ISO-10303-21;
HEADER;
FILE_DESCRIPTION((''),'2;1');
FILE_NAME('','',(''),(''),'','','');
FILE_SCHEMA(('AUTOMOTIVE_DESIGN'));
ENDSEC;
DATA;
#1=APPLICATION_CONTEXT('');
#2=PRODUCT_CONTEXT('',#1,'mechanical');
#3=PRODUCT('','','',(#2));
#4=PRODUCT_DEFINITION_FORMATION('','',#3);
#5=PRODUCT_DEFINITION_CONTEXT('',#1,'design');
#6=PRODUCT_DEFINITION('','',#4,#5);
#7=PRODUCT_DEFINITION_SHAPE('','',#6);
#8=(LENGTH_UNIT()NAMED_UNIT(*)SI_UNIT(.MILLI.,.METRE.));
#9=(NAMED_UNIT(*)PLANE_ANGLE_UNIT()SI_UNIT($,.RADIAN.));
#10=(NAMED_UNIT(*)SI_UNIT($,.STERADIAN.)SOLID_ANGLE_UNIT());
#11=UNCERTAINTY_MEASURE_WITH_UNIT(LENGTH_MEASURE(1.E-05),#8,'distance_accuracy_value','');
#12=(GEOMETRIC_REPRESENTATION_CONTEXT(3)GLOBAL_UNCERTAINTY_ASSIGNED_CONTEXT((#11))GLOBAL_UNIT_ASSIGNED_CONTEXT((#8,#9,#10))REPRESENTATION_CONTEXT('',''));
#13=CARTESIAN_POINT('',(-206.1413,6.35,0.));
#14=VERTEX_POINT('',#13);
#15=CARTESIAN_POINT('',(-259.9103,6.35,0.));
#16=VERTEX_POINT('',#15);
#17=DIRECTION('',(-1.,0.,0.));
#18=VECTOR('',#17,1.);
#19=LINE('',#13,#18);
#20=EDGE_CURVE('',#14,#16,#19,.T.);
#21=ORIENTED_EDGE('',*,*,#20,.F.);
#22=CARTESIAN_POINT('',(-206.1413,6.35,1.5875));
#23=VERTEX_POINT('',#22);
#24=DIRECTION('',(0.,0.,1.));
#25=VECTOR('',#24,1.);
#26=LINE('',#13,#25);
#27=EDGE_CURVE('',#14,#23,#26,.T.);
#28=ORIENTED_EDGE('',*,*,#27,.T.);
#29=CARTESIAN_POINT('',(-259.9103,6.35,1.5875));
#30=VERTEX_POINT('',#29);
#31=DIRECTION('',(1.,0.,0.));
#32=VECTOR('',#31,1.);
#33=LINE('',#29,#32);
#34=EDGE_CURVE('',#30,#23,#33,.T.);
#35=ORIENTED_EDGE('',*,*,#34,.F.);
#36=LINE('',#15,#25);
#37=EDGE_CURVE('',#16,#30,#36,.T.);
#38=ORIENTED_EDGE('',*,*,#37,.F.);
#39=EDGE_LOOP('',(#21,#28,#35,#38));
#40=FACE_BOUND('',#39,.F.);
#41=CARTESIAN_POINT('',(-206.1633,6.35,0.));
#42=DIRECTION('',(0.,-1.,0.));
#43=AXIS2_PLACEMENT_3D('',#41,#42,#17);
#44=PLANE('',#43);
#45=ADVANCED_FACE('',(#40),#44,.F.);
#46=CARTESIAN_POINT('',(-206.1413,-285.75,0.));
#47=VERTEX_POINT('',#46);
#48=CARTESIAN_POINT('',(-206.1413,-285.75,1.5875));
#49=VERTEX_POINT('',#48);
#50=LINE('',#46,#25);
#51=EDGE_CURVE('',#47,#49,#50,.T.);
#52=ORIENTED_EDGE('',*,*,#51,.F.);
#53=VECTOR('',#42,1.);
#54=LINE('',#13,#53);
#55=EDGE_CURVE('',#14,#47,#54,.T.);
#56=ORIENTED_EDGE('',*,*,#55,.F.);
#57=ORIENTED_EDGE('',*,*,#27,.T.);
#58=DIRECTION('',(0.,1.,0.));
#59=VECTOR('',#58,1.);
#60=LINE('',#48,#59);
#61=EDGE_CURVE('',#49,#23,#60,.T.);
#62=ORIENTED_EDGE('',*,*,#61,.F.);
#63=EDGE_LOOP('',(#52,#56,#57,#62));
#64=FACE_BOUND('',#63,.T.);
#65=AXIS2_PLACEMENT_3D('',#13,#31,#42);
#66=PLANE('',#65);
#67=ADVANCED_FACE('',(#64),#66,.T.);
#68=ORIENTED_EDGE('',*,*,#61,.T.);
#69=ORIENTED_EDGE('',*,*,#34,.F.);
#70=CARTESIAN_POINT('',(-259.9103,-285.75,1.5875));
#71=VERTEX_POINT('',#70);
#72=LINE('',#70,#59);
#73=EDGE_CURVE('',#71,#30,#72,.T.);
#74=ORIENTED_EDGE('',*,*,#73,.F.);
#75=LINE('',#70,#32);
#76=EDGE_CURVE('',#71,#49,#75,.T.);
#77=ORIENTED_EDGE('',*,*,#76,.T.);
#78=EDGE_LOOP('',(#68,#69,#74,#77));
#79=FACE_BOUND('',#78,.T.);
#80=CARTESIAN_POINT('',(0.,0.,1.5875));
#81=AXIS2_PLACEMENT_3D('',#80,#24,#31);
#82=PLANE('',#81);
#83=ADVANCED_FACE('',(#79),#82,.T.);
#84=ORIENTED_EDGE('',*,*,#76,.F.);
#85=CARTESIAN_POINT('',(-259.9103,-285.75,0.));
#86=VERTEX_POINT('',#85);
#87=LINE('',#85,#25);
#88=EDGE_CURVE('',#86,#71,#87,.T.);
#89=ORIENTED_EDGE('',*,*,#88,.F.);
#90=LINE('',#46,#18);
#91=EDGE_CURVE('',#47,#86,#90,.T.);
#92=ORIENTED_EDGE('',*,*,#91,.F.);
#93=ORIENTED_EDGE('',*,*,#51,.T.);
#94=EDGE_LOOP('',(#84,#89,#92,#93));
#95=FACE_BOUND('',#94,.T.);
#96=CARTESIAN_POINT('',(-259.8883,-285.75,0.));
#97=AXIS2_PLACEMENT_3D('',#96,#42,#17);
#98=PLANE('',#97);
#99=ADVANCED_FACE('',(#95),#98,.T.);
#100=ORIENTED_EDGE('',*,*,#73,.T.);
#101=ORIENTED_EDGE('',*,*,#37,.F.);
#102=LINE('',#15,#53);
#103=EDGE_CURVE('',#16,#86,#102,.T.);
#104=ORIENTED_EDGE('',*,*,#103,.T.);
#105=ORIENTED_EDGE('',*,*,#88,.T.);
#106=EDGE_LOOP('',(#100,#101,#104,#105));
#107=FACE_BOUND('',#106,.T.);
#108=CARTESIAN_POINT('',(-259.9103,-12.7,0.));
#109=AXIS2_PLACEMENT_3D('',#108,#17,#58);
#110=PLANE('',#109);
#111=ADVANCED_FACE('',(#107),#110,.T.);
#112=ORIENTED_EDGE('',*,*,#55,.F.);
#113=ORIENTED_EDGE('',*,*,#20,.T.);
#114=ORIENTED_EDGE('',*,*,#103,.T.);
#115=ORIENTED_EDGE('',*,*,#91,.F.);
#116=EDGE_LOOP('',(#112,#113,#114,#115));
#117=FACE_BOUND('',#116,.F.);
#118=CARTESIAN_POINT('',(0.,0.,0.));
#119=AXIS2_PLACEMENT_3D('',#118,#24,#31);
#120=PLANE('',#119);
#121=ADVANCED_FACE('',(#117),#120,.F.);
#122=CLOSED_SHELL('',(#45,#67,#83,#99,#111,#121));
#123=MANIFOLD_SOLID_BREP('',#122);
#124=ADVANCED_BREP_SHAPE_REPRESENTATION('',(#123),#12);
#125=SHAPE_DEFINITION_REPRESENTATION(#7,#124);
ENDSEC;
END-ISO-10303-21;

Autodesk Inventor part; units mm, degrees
ref_plane "YZ Plane" through (0, 0, 0) normal (1, 0, 0) x (0, 1, 0)
ref_plane "XZ Plane" through (0, 0, 0) normal (0, 1, 0) x (-1, 0, 0)
ref_plane "XY Plane" through (0, 0, 0) normal (0, 0, 1) x (1, 0, 0)
ref_plane "Work Plane4" through (0, 0, 0) normal (0, 0, 1) x (1, 0, 0)
sketch "Sketch1" plane through (0, 0, 0) normal (0, 0, 1) x (1, 0, 0)
  line L0 (-206.1633, -12.7) -> (-206.1633, 6.35) projected
  line L1 (-206.1633, 6.35) -> (-259.9103, 6.35) projected
  line L2 (-259.9103, -12.7) -> (-259.9103, 6.35) projected
  line L3 (-206.1633, -12.7) -> (-259.9103, -12.7) projected
  line L4 (-206.1633, -12.7) -> (-206.1633, 6.35) projected
  line L5 (-259.8883, -285.75) -> (-206.1413, -285.75) projected
  line L6 (-206.1413, -266.7) -> (-206.1413, -285.75) projected
  line L7 (-259.8883, -266.7) -> (-206.1413, -266.7) projected
  line L8 (-259.8883, -266.7) -> (-259.8883, -285.75) projected
  line L9 (-259.9103, 6.35) -> (-206.1413, 6.35)
  line L10 (-206.1413, 6.35) -> (-206.1413, -285.75)
  line L11 (-206.1413, -285.75) -> (-259.9103, -285.75)
  line L12 (-259.9103, -285.75) -> (-259.9103, 6.35)
  point P0 (0, 0)
extrude "Extrusion1" add sketch "Sketch1" along normal blind 1.5875
properties part number "572000_Bottom Guard" material "Polycarbonate, Clear"
